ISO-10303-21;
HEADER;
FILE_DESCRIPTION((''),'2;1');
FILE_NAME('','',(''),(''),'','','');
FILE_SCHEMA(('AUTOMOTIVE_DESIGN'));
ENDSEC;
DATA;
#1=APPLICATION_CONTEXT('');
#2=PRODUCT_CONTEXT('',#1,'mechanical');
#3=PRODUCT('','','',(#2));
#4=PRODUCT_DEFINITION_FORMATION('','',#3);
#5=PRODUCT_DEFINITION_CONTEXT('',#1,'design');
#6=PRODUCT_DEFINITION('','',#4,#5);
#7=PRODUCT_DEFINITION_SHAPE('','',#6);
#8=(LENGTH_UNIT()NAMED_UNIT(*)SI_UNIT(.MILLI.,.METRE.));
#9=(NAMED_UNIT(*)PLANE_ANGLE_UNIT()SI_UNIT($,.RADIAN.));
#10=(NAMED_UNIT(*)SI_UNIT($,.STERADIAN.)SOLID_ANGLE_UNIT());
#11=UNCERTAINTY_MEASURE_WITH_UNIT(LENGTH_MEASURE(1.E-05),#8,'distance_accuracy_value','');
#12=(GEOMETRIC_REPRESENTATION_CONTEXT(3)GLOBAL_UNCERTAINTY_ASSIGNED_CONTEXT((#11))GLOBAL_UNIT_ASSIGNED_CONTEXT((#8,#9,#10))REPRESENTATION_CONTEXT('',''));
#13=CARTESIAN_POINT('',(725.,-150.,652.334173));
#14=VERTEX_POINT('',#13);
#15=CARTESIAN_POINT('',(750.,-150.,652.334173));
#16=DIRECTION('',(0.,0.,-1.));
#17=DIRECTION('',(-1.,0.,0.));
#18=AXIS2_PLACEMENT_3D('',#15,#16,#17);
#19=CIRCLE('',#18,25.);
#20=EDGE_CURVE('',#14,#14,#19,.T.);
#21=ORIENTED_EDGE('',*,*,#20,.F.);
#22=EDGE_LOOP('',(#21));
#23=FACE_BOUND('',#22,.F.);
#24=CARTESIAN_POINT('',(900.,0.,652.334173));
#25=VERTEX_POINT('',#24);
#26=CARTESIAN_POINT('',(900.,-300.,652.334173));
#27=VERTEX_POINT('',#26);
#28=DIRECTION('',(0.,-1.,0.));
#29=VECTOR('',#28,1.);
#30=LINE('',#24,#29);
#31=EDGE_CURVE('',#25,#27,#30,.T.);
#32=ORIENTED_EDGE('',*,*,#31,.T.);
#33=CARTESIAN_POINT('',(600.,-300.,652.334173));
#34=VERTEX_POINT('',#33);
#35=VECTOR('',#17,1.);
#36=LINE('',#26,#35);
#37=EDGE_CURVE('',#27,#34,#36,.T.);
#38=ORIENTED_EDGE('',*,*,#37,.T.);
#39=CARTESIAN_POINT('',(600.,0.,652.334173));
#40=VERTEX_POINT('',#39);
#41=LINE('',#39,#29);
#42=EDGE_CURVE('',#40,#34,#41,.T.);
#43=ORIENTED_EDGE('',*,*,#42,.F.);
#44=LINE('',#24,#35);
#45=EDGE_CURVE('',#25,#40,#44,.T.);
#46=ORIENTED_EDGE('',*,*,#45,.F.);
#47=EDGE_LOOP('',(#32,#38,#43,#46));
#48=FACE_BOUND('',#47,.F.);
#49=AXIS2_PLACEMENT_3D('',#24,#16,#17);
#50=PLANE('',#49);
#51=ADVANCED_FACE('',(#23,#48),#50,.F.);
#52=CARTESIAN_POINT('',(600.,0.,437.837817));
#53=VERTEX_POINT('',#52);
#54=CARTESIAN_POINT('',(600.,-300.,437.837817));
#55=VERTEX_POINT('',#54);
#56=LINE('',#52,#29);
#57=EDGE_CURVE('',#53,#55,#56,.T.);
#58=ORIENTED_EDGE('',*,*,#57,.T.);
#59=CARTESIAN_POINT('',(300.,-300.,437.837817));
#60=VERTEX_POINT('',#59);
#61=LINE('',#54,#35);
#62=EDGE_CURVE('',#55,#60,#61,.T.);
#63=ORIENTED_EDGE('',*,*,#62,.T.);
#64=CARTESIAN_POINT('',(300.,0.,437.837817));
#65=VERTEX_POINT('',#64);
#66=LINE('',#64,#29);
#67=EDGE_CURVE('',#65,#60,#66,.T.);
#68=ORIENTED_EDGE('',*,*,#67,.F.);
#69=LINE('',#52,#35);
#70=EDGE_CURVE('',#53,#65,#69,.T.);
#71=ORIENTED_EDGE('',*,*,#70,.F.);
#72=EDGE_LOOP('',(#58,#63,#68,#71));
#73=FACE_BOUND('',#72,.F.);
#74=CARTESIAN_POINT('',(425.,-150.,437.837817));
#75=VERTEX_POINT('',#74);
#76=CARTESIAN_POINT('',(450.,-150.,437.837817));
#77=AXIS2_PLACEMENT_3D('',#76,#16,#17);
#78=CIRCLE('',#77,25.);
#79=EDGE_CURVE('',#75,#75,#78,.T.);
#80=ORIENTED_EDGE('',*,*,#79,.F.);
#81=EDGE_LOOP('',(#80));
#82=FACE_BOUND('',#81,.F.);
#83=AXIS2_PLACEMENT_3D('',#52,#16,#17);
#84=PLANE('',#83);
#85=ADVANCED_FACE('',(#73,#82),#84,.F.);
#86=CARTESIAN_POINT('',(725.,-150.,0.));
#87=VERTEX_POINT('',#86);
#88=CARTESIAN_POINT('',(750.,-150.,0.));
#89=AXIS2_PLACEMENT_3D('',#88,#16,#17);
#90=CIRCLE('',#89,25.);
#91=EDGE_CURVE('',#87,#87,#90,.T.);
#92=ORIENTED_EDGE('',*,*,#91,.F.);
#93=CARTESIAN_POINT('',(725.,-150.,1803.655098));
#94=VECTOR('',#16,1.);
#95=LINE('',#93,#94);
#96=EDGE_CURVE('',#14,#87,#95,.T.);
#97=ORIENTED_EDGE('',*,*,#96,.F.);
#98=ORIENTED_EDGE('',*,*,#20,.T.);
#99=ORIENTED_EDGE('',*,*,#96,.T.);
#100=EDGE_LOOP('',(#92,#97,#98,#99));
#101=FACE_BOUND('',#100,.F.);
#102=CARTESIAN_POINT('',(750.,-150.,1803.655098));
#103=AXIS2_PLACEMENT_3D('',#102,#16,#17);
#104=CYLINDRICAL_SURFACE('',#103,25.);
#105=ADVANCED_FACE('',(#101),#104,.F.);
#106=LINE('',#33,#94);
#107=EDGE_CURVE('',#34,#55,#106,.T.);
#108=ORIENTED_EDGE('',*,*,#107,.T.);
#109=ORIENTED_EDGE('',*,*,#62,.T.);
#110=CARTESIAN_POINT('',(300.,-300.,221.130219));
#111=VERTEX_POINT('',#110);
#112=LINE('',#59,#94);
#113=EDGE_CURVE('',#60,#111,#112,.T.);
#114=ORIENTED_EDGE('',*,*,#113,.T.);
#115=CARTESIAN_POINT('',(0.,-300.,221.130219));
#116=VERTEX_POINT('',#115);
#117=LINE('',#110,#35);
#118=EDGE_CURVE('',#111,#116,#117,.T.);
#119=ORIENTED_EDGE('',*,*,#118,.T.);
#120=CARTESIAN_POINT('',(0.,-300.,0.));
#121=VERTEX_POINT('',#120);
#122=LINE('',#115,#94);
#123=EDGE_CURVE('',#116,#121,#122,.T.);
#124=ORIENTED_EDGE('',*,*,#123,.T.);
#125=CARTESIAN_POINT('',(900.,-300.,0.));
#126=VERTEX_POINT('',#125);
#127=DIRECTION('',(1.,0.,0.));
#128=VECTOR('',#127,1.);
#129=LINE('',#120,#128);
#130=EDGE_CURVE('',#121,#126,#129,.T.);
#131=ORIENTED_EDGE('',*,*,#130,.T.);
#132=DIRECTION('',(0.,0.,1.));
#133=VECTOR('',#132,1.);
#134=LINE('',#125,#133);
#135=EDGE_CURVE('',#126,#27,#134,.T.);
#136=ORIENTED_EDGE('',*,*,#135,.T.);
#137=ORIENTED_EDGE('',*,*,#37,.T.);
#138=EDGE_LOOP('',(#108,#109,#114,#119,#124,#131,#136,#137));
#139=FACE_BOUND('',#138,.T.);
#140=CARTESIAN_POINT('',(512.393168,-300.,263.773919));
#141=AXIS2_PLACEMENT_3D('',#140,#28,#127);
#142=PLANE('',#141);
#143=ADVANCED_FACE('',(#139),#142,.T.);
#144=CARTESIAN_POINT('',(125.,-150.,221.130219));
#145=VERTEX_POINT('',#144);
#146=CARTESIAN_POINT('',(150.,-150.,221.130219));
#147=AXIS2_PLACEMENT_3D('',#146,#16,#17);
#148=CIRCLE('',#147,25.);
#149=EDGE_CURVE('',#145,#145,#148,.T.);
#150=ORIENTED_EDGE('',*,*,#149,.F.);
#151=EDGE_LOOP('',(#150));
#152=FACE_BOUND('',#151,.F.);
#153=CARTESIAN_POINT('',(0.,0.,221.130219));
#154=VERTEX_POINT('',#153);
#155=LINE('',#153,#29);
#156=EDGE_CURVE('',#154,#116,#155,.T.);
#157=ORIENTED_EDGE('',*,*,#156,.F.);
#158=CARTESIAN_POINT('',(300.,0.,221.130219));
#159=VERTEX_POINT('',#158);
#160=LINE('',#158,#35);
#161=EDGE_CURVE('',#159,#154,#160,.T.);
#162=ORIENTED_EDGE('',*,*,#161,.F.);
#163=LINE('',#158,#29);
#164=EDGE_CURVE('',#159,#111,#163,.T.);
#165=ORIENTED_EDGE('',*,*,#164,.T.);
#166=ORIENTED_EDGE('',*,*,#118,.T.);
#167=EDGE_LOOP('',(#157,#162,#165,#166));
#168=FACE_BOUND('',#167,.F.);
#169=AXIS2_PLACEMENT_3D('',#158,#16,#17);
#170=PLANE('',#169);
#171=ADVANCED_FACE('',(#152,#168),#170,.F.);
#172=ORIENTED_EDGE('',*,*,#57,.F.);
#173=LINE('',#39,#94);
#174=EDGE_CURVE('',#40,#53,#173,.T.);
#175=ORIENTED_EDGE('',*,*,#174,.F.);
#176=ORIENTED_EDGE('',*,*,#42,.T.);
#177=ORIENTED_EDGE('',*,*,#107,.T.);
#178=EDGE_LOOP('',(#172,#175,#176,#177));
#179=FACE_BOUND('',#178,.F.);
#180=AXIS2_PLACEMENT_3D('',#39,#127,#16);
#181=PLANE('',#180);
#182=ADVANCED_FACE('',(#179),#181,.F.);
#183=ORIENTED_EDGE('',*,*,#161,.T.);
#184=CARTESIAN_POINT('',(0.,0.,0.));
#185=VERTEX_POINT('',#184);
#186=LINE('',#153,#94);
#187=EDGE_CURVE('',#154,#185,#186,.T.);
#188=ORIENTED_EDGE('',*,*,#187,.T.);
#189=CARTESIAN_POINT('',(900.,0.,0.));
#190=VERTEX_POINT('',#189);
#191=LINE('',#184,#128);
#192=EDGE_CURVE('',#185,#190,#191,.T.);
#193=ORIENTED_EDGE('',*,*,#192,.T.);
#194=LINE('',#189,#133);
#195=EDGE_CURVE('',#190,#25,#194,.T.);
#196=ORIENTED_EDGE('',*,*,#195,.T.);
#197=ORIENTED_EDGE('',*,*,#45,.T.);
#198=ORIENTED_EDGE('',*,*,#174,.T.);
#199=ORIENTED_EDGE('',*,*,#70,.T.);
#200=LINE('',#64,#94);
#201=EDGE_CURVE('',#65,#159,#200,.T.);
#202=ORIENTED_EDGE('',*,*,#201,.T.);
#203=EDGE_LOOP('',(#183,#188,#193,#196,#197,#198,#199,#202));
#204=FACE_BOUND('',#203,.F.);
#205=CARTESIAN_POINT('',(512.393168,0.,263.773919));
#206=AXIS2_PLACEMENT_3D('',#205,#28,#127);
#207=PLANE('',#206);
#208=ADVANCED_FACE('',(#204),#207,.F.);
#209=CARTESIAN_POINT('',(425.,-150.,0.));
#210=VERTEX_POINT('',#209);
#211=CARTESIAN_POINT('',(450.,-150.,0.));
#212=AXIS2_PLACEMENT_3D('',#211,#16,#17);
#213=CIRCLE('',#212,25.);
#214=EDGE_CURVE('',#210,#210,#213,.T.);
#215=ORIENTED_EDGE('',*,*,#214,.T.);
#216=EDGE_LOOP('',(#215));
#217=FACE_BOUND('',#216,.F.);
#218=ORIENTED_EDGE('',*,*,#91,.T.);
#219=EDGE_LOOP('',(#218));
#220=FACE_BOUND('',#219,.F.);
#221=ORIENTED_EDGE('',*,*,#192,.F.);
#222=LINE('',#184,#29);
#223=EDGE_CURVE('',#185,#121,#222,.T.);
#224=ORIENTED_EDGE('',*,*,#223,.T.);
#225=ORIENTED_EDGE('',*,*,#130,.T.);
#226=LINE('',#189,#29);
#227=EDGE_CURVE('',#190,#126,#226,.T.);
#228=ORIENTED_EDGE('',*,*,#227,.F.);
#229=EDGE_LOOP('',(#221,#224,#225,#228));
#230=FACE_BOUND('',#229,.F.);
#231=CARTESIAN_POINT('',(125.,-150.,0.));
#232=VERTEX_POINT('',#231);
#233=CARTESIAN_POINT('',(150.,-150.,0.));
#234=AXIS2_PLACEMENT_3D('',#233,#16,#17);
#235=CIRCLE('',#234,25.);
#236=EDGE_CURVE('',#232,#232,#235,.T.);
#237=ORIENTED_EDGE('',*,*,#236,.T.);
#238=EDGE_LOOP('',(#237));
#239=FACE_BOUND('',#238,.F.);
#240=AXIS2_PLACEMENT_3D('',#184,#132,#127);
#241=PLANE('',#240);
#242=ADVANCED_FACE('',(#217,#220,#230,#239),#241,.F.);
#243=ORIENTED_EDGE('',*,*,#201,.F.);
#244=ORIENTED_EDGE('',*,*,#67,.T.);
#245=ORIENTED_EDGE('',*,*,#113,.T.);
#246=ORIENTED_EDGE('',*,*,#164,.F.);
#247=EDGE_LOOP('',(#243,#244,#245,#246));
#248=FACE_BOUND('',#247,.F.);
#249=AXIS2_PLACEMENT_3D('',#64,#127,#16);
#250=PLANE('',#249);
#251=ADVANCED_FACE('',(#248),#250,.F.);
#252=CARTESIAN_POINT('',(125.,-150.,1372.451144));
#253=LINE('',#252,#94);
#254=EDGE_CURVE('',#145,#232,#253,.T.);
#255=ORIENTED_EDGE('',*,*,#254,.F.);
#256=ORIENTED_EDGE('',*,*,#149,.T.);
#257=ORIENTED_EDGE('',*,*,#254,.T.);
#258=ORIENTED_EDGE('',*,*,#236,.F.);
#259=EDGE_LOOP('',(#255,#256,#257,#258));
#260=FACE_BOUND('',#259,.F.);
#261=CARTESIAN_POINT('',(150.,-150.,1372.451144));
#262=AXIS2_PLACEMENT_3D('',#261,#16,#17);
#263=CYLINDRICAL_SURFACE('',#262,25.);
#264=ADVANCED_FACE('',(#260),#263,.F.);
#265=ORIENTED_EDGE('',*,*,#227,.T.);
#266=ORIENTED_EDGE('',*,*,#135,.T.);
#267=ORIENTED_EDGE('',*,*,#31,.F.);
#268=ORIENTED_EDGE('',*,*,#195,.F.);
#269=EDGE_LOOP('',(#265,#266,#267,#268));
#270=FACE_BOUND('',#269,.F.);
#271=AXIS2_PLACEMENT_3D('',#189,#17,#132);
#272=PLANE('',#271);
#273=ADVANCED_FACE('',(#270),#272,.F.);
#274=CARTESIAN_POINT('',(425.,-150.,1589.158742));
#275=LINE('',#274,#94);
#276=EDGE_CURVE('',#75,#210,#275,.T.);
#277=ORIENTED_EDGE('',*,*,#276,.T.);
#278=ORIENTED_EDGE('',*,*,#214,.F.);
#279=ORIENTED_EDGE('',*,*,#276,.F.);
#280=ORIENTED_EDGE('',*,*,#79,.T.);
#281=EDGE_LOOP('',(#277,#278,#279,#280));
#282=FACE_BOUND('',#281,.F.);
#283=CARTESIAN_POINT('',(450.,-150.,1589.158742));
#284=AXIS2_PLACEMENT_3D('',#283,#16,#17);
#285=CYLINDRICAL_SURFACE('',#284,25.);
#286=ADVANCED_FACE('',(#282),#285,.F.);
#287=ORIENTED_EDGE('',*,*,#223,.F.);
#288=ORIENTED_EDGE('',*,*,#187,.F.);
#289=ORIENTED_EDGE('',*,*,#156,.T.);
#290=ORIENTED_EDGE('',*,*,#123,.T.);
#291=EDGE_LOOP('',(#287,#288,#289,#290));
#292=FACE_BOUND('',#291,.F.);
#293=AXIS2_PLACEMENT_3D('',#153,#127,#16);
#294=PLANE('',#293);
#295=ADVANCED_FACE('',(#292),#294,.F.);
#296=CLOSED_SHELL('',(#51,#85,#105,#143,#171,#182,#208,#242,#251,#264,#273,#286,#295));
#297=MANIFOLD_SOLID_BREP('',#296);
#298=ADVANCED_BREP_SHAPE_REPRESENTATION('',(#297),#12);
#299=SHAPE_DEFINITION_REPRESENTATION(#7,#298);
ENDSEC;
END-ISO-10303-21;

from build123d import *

# Parameters (mm, degrees)
F1_DEPTH = 300
F3_D     = 50
F5_D     = 50
F7_D     = 50


with BuildPart() as f1:
    # F0 (on Front) → F1 (new body)
    with BuildSketch(Plane.XZ):
        Polygon((0, 221.130219), (0, 0), (900, 0), (900, 652.334173), (600, 652.334173), (600, 437.837817), (300, 437.837817), (300, 221.130219), align=None)
    extrude(amount=F1_DEPTH)

    # F3 (through all)
    with Locations(Plane.XY.offset(437.837817)):
        with Locations((450, -150)):
            Hole(F3_D / 2)

    # F5 (through all)
    with Locations(Plane.XY.offset(221.130219)):
        with Locations((150, -150)):
            Hole(F5_D / 2)

    # F7 (through all)
    with Locations(Plane.XY.offset(652.334173)):
        with Locations((750, -150)):
            Hole(F7_D / 2)


solid = f1.part
